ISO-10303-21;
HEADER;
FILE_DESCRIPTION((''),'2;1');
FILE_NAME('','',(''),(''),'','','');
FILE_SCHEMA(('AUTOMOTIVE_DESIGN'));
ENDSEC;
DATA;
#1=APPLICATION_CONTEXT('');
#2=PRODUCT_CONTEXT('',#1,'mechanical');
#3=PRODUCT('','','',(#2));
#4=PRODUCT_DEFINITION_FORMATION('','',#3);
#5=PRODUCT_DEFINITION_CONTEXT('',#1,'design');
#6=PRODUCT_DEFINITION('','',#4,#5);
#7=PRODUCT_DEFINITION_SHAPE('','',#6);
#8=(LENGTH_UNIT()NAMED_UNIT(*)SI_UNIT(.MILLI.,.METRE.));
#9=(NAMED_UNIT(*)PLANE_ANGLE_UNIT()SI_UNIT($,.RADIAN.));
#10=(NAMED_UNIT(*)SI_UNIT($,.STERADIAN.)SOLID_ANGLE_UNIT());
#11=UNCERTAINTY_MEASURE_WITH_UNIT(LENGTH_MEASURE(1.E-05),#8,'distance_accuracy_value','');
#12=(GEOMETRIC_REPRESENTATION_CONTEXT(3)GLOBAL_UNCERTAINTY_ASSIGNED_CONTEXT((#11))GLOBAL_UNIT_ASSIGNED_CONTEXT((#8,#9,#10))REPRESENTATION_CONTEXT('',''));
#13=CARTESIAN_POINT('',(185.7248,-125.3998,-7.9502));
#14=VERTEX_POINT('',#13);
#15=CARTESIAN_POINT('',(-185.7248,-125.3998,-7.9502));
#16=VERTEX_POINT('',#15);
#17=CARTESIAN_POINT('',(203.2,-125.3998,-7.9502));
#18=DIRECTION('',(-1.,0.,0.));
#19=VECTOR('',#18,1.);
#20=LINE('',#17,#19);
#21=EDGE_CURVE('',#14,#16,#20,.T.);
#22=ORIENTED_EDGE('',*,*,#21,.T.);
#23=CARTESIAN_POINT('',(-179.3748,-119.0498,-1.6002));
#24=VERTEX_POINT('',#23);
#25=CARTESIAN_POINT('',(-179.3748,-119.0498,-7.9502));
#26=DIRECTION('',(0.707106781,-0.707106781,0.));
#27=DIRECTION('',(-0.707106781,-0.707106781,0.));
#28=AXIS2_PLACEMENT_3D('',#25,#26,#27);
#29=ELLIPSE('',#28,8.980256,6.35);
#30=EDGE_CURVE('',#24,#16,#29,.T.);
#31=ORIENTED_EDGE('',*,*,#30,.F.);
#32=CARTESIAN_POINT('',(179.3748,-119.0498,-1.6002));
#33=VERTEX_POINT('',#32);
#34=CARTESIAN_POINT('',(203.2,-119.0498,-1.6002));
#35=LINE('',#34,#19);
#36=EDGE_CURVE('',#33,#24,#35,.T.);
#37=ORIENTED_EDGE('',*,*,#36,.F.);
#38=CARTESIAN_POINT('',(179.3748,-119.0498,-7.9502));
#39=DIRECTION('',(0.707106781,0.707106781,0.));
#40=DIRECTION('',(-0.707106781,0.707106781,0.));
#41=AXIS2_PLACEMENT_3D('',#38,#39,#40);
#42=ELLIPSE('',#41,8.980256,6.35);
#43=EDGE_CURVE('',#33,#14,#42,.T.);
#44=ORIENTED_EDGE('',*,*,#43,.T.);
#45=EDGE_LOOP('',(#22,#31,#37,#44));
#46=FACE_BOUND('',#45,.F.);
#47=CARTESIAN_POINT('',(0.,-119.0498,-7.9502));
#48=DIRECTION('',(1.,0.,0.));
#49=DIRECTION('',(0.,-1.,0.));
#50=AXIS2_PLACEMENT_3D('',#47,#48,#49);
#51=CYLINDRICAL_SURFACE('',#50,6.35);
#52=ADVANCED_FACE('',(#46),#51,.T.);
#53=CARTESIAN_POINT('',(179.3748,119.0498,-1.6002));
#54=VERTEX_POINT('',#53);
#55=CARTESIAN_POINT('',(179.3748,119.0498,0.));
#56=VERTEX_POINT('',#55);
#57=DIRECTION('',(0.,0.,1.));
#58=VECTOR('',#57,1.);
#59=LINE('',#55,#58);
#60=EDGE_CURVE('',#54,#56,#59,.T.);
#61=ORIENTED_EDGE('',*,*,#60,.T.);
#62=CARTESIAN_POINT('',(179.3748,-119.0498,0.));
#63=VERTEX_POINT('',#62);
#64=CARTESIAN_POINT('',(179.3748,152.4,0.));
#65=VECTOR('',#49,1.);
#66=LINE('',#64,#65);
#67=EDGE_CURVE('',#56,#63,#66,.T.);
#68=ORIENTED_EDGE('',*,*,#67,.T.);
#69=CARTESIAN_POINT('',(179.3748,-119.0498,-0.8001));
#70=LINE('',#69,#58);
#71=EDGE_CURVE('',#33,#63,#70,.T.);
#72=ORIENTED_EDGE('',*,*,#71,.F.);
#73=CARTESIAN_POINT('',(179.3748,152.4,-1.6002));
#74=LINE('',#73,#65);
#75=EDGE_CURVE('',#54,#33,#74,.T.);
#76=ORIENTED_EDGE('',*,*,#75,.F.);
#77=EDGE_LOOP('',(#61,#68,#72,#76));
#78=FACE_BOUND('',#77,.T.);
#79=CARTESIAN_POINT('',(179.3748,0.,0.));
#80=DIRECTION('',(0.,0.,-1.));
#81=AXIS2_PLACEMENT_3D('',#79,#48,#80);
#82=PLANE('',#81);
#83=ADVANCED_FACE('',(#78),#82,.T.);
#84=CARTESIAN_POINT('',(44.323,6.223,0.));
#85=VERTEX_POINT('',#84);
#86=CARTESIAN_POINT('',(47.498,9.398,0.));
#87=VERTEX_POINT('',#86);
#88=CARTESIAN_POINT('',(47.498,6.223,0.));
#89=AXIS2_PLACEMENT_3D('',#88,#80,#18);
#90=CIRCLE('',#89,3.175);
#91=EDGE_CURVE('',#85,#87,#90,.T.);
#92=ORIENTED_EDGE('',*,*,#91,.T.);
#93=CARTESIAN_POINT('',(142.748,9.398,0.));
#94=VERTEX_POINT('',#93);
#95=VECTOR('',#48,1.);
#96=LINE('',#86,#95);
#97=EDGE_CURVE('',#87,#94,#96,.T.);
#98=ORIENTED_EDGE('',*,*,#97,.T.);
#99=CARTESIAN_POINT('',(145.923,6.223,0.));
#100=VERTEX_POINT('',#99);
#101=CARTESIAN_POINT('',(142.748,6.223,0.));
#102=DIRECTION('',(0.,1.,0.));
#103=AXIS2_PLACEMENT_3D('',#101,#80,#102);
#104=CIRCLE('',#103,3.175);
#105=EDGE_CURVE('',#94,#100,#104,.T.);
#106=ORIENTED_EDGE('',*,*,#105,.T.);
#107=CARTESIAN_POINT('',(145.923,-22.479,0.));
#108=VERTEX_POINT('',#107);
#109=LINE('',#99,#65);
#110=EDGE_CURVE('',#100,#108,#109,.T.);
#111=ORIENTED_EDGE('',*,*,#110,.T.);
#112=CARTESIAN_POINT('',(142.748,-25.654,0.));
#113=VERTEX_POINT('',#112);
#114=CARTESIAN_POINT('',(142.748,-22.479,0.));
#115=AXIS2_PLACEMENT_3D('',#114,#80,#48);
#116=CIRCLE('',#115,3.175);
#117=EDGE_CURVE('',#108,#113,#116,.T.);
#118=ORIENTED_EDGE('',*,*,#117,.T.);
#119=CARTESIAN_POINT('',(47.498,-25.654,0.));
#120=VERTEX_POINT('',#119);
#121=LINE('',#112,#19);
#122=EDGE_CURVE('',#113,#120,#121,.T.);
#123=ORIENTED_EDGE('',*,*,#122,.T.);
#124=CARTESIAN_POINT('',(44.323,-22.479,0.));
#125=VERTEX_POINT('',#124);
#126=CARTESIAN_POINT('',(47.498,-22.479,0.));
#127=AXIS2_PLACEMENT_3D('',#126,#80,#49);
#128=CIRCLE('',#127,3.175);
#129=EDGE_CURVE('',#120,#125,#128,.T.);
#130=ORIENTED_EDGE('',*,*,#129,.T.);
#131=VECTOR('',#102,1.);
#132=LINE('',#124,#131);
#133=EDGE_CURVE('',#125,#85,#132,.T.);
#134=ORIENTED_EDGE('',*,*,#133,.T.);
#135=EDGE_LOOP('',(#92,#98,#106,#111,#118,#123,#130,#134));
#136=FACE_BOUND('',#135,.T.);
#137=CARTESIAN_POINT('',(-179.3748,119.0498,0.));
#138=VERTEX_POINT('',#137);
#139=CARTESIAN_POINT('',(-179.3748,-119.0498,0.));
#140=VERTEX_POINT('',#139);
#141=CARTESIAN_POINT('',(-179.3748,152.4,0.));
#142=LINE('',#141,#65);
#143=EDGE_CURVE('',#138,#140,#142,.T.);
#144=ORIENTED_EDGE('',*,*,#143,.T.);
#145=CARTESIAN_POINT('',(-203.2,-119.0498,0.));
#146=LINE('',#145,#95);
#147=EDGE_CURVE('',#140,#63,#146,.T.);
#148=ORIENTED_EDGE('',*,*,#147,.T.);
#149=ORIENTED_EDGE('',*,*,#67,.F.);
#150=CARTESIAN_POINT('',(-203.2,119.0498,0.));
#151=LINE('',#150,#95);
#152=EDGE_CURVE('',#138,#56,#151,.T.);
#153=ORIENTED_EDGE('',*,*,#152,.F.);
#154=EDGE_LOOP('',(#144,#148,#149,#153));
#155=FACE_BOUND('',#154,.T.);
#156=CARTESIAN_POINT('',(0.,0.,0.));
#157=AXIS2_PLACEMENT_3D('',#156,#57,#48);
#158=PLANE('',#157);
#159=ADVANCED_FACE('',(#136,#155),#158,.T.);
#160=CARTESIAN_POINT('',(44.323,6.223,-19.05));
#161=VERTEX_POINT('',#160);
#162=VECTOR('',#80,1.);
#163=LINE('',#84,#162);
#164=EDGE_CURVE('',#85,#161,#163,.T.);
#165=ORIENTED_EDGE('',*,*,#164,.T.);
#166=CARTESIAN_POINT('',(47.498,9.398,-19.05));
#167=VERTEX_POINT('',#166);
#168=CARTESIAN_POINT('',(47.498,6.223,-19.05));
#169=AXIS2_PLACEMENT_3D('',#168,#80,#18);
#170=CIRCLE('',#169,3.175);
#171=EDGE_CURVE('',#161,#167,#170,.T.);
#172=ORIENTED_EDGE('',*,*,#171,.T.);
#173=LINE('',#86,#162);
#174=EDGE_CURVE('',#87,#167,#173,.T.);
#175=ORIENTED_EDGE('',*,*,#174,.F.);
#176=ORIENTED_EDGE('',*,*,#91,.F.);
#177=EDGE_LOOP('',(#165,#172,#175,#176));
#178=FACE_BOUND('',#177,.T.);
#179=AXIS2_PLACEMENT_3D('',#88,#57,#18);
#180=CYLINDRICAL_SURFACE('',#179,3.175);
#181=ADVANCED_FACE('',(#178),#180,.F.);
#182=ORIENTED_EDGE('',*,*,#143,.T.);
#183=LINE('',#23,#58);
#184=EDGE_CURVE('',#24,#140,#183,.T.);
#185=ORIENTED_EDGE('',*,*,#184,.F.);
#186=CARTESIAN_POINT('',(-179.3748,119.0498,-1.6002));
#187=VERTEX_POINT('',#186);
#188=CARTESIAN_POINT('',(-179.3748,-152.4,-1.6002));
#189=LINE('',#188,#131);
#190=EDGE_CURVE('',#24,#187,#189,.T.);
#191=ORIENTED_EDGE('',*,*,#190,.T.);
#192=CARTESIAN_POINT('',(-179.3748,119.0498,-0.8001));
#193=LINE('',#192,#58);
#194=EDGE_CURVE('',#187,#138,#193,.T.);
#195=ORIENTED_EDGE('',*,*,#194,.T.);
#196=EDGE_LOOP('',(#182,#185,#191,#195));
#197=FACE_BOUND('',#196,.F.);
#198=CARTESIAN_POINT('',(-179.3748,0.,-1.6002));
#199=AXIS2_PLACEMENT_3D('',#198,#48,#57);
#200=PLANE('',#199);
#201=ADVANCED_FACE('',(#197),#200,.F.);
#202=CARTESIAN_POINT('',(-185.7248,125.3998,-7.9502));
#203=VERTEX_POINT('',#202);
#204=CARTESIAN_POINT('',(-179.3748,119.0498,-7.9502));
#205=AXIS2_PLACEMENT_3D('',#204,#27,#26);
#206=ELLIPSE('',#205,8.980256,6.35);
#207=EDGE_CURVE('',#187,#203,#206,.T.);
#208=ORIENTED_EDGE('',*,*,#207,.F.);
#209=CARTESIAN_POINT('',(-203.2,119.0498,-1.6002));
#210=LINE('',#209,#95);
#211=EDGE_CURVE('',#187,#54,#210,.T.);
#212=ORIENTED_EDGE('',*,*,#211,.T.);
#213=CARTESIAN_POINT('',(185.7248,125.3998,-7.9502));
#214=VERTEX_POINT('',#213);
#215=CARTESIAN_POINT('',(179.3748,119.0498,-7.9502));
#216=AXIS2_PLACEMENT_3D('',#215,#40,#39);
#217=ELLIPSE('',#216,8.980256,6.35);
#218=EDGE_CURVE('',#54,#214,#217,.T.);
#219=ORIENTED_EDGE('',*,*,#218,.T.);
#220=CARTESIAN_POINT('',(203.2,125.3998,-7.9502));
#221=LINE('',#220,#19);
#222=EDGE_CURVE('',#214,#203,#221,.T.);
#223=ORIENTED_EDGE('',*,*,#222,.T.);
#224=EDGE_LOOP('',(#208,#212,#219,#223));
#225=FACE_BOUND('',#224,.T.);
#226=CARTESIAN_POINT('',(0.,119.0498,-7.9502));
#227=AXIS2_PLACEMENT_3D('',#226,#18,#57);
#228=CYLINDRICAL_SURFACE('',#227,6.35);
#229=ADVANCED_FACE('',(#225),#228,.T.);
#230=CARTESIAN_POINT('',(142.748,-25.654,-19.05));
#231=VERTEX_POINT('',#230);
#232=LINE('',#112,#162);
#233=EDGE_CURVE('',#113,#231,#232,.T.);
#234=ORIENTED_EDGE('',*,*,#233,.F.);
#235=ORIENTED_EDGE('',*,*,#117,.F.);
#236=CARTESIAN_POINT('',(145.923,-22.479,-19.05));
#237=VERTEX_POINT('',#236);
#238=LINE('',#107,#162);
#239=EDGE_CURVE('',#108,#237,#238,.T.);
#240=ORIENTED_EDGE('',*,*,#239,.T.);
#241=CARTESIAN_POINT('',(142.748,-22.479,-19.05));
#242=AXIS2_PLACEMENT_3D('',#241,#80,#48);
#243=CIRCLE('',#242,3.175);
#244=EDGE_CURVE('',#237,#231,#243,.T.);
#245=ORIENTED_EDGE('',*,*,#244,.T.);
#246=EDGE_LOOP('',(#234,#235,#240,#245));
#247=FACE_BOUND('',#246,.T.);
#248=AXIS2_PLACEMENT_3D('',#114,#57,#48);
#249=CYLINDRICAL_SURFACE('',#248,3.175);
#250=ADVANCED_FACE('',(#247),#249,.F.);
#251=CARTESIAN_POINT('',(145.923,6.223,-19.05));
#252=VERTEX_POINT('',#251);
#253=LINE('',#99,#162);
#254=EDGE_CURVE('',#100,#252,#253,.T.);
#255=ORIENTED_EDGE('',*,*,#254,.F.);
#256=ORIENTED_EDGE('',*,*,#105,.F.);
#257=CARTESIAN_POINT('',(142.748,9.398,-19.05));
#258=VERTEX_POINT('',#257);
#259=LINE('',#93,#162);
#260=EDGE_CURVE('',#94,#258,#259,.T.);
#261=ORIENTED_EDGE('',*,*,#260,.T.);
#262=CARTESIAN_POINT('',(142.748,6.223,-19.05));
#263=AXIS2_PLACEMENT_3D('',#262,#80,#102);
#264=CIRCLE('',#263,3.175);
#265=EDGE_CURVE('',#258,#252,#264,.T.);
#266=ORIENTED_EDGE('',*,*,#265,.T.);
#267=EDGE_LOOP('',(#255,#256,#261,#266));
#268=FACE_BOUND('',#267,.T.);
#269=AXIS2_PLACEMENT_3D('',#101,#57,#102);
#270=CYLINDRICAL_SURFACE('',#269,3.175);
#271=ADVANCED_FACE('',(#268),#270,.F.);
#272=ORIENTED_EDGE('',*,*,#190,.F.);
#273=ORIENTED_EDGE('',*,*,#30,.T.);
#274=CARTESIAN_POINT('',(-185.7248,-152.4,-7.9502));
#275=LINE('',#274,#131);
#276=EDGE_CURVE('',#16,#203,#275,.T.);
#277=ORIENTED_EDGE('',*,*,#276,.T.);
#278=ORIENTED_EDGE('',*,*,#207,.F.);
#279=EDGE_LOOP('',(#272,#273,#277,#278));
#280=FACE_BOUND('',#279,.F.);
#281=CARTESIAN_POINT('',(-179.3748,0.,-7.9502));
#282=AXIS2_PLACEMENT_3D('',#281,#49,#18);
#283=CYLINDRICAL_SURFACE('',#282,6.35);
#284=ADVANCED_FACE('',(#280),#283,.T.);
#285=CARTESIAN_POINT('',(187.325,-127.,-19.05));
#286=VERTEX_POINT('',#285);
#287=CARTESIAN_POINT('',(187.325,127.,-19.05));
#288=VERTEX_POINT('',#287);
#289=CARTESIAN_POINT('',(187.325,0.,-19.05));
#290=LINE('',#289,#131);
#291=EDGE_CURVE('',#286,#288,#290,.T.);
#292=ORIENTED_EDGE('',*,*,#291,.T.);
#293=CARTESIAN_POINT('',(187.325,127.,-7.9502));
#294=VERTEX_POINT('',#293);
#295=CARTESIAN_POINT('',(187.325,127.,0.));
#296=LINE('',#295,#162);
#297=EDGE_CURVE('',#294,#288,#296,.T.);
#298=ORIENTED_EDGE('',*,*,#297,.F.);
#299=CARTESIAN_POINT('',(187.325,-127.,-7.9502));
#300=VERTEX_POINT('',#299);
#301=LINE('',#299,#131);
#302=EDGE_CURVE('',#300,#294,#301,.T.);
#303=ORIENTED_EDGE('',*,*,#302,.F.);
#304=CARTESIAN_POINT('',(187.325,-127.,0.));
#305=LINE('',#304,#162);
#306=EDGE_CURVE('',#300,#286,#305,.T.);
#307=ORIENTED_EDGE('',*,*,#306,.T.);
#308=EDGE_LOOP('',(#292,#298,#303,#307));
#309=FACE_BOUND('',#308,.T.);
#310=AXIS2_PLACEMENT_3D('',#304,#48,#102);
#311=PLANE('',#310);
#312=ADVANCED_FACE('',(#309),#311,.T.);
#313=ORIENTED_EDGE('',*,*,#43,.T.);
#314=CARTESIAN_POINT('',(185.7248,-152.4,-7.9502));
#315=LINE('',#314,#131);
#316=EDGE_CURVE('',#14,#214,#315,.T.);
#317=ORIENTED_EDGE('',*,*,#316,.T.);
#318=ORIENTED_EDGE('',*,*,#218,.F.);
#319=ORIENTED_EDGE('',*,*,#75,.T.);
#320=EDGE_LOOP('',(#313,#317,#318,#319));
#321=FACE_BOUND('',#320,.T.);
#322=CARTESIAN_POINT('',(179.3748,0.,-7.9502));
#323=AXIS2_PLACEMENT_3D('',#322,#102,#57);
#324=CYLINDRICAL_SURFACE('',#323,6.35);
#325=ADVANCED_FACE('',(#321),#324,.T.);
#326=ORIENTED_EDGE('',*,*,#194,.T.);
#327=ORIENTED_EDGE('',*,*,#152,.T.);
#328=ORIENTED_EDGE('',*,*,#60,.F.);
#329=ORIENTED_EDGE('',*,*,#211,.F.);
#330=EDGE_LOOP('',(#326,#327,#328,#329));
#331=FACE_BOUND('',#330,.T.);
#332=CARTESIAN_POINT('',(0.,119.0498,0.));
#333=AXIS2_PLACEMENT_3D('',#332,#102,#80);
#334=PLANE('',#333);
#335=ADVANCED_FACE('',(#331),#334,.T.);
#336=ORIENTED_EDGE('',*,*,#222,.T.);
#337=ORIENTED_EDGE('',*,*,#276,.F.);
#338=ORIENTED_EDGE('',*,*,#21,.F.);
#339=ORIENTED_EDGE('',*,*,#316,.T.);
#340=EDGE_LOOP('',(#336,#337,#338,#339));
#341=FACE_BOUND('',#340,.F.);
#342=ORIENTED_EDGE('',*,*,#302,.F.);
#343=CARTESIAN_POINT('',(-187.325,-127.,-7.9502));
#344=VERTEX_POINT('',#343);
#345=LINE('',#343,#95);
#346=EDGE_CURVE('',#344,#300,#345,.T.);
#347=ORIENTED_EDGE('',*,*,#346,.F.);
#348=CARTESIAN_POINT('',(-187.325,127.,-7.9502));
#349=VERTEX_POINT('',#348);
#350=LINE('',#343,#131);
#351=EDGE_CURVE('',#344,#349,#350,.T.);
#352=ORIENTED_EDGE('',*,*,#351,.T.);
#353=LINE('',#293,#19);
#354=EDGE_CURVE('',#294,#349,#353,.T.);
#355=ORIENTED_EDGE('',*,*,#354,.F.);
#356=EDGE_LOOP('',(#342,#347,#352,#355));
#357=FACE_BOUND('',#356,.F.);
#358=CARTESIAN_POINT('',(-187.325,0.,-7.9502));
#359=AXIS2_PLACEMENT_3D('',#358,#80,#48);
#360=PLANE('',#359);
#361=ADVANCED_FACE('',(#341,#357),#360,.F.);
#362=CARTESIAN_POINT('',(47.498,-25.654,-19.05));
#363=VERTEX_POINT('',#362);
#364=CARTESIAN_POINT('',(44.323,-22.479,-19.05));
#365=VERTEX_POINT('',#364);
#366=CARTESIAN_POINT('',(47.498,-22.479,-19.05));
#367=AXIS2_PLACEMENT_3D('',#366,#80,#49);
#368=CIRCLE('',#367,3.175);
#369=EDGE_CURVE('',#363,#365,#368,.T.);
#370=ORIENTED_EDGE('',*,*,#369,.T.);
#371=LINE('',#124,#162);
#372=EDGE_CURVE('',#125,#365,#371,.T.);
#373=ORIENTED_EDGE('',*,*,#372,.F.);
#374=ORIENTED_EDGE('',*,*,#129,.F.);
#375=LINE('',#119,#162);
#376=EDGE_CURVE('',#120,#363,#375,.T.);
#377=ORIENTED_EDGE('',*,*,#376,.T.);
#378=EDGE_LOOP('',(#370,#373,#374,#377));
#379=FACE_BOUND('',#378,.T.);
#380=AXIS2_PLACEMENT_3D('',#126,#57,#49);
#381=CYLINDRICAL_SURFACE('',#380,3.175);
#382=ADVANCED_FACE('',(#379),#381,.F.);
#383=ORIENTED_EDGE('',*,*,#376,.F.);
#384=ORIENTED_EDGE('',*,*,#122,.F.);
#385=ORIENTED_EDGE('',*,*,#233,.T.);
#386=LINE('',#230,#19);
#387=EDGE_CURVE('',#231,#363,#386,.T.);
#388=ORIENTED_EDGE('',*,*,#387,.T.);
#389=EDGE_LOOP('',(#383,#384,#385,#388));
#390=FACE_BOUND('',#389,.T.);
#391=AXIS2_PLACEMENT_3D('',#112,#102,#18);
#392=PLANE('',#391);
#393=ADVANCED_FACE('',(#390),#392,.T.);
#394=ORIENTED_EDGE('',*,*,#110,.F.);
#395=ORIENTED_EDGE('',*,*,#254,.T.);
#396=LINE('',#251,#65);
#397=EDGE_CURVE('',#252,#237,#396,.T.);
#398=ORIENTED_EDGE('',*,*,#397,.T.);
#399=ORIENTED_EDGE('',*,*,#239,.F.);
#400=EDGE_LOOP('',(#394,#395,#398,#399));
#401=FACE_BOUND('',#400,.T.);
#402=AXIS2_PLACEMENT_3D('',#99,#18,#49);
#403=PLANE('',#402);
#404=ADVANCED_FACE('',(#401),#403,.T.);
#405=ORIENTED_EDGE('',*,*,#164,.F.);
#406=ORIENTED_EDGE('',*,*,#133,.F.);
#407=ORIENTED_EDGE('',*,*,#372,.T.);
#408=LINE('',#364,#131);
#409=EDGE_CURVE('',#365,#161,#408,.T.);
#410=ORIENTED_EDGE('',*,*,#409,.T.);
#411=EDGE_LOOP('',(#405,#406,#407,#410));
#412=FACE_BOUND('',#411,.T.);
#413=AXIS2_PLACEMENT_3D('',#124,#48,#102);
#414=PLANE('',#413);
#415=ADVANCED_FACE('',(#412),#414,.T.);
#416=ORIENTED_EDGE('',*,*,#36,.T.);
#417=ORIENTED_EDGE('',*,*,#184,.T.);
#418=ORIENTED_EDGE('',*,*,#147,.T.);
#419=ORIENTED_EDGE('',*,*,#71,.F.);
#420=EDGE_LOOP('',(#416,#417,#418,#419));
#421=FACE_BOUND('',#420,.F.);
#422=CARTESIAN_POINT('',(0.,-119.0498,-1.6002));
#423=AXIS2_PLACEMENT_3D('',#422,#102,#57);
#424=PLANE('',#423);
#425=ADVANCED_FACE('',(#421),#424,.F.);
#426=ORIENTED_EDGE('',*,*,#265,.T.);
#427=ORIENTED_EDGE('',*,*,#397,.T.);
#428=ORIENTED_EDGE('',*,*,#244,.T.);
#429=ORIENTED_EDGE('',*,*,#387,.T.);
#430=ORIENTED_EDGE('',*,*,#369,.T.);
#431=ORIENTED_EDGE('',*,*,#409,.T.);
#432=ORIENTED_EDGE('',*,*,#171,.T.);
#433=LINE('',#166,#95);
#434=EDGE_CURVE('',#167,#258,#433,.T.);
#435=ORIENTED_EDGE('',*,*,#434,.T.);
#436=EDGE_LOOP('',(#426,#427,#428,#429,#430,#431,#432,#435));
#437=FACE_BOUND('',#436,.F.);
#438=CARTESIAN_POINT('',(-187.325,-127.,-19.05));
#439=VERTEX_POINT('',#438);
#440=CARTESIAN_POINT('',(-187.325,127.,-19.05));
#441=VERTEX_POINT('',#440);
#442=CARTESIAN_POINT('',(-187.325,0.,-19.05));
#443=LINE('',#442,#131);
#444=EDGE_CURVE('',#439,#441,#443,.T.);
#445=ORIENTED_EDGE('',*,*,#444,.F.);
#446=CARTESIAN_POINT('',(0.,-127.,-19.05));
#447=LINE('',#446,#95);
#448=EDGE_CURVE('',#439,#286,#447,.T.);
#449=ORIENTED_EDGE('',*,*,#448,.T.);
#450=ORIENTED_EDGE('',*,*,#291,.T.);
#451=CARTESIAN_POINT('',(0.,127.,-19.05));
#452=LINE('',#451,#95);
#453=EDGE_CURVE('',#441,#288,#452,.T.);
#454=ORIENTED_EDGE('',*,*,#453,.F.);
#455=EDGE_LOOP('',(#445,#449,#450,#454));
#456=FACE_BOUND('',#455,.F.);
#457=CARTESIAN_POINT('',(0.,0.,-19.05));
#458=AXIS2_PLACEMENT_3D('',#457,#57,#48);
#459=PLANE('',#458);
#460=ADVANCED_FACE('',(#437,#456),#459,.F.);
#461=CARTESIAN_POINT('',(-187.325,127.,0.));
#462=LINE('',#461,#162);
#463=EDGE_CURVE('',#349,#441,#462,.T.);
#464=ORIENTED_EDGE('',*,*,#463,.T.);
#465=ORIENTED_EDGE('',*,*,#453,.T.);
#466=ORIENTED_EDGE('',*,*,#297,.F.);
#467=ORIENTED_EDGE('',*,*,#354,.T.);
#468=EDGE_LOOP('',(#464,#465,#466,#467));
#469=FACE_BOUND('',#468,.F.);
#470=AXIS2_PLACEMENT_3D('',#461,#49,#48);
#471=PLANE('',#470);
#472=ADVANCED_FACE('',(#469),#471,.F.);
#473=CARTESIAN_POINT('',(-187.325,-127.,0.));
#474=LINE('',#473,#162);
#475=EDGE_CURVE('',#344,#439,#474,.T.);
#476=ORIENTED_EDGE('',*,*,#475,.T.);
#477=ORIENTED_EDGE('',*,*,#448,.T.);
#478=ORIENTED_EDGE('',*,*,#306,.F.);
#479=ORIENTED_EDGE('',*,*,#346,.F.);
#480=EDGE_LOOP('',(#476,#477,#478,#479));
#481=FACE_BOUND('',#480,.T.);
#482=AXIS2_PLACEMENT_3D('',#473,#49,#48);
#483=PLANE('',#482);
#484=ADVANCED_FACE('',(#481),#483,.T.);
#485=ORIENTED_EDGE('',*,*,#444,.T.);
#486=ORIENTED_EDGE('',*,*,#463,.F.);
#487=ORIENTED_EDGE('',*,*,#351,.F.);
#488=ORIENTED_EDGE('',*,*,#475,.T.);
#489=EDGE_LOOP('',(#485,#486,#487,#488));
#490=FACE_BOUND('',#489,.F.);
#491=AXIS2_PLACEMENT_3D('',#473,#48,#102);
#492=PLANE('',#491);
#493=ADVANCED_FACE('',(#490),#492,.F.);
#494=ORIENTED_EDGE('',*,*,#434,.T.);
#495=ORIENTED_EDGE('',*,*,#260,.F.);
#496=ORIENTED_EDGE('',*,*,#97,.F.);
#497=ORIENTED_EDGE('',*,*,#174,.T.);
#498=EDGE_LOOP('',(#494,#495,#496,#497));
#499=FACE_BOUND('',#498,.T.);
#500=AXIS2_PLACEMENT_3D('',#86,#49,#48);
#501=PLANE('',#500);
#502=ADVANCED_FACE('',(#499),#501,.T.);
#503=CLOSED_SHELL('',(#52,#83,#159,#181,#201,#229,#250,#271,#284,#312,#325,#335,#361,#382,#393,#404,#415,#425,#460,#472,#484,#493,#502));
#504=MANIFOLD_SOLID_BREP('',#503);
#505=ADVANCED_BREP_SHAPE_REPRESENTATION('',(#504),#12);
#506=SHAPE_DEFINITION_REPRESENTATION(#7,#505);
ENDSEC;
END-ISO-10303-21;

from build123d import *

# Parameters (mm, degrees)
F0_W     = 374.65
F0_H     = 254
F1_DEPTH = 19.05
F3_DEPTH = 152.4
F5_DEPTH = 203.2


with BuildPart() as f1:
    # F0 (on Top) → F1 (new body)
    with BuildSketch(Plane.XY):
        Rectangle(F0_W, F0_H)
        with BuildLine():
            Line((47.498, 9.398), (142.748, 9.398))
            ThreePointArc((142.748, 9.398), (144.9930640303, 8.4680640303), (145.923, 6.223))
            Line((145.923, 6.223), (145.923, -22.479))
            ThreePointArc((145.923, -22.479), (144.9930640303, -24.7240640303), (142.748, -25.654))
            Line((142.748, -25.654), (47.498, -25.654))
            ThreePointArc((47.498, -25.654), (45.2529359697, -24.7240640303), (44.323, -22.479))
            Line((44.323, -22.479), (44.323, 6.223))
            ThreePointArc((44.323, 6.223), (45.2529359697, 8.4680640303), (47.498, 9.398))
        make_face(mode=Mode.SUBTRACT)
    extrude(amount=-F1_DEPTH)

    # F2 (on Front) → F3 (cut, symmetric)
    with BuildSketch(Plane.XZ):
        with BuildLine():
            Line((187.325, 0), (179.3748, 0))
            Line((179.3748, 0), (179.3748, -1.6002))
            ThreePointArc((179.3748, -1.6002), (183.8649280605, -3.4600719395), (185.7248, -7.9502))
            Line((185.7248, -7.9502), (187.325, -7.9502))
            Line((187.325, -7.9502), (187.325, 0))
        make_face()
        with BuildLine():
            Line((-179.3748, -1.6002), (-179.3748, 0))
            Line((-179.3748, 0), (-187.325, 0))
            Line((-187.325, 0), (-187.325, -7.9502))
            Line((-187.325, -7.9502), (-185.7248, -7.9502))
            ThreePointArc((-185.7248, -7.9502), (-183.8649280605, -3.4600719395), (-179.3748, -1.6002))
        make_face()
    extrude(amount=F3_DEPTH, both=True, mode=Mode.SUBTRACT)

    # F4 (on Right) → F5 (cut, symmetric)
    with BuildSketch(Plane.YZ):
        with BuildLine():
            Line((127, 0), (119.0498, 0))
            Line((119.0498, 0), (119.0498, -1.6002))
            ThreePointArc((119.0498, -1.6002), (123.5399280605, -3.4600719395), (125.3998, -7.9502))
            Line((125.3998, -7.9502), (127, -7.9502))
            Line((127, -7.9502), (127, 0))
        make_face()
        with BuildLine():
            Line((-119.0498, -1.6002), (-119.0498, 0))
            Line((-119.0498, 0), (-127, 0))
            Line((-127, 0), (-127, -7.9502))
            Line((-127, -7.9502), (-125.3998, -7.9502))
            ThreePointArc((-125.3998, -7.9502), (-123.5399280605, -3.4600719395), (-119.0498, -1.6002))
        make_face()
    extrude(amount=F5_DEPTH, both=True, mode=Mode.SUBTRACT)


solid = f1.part
